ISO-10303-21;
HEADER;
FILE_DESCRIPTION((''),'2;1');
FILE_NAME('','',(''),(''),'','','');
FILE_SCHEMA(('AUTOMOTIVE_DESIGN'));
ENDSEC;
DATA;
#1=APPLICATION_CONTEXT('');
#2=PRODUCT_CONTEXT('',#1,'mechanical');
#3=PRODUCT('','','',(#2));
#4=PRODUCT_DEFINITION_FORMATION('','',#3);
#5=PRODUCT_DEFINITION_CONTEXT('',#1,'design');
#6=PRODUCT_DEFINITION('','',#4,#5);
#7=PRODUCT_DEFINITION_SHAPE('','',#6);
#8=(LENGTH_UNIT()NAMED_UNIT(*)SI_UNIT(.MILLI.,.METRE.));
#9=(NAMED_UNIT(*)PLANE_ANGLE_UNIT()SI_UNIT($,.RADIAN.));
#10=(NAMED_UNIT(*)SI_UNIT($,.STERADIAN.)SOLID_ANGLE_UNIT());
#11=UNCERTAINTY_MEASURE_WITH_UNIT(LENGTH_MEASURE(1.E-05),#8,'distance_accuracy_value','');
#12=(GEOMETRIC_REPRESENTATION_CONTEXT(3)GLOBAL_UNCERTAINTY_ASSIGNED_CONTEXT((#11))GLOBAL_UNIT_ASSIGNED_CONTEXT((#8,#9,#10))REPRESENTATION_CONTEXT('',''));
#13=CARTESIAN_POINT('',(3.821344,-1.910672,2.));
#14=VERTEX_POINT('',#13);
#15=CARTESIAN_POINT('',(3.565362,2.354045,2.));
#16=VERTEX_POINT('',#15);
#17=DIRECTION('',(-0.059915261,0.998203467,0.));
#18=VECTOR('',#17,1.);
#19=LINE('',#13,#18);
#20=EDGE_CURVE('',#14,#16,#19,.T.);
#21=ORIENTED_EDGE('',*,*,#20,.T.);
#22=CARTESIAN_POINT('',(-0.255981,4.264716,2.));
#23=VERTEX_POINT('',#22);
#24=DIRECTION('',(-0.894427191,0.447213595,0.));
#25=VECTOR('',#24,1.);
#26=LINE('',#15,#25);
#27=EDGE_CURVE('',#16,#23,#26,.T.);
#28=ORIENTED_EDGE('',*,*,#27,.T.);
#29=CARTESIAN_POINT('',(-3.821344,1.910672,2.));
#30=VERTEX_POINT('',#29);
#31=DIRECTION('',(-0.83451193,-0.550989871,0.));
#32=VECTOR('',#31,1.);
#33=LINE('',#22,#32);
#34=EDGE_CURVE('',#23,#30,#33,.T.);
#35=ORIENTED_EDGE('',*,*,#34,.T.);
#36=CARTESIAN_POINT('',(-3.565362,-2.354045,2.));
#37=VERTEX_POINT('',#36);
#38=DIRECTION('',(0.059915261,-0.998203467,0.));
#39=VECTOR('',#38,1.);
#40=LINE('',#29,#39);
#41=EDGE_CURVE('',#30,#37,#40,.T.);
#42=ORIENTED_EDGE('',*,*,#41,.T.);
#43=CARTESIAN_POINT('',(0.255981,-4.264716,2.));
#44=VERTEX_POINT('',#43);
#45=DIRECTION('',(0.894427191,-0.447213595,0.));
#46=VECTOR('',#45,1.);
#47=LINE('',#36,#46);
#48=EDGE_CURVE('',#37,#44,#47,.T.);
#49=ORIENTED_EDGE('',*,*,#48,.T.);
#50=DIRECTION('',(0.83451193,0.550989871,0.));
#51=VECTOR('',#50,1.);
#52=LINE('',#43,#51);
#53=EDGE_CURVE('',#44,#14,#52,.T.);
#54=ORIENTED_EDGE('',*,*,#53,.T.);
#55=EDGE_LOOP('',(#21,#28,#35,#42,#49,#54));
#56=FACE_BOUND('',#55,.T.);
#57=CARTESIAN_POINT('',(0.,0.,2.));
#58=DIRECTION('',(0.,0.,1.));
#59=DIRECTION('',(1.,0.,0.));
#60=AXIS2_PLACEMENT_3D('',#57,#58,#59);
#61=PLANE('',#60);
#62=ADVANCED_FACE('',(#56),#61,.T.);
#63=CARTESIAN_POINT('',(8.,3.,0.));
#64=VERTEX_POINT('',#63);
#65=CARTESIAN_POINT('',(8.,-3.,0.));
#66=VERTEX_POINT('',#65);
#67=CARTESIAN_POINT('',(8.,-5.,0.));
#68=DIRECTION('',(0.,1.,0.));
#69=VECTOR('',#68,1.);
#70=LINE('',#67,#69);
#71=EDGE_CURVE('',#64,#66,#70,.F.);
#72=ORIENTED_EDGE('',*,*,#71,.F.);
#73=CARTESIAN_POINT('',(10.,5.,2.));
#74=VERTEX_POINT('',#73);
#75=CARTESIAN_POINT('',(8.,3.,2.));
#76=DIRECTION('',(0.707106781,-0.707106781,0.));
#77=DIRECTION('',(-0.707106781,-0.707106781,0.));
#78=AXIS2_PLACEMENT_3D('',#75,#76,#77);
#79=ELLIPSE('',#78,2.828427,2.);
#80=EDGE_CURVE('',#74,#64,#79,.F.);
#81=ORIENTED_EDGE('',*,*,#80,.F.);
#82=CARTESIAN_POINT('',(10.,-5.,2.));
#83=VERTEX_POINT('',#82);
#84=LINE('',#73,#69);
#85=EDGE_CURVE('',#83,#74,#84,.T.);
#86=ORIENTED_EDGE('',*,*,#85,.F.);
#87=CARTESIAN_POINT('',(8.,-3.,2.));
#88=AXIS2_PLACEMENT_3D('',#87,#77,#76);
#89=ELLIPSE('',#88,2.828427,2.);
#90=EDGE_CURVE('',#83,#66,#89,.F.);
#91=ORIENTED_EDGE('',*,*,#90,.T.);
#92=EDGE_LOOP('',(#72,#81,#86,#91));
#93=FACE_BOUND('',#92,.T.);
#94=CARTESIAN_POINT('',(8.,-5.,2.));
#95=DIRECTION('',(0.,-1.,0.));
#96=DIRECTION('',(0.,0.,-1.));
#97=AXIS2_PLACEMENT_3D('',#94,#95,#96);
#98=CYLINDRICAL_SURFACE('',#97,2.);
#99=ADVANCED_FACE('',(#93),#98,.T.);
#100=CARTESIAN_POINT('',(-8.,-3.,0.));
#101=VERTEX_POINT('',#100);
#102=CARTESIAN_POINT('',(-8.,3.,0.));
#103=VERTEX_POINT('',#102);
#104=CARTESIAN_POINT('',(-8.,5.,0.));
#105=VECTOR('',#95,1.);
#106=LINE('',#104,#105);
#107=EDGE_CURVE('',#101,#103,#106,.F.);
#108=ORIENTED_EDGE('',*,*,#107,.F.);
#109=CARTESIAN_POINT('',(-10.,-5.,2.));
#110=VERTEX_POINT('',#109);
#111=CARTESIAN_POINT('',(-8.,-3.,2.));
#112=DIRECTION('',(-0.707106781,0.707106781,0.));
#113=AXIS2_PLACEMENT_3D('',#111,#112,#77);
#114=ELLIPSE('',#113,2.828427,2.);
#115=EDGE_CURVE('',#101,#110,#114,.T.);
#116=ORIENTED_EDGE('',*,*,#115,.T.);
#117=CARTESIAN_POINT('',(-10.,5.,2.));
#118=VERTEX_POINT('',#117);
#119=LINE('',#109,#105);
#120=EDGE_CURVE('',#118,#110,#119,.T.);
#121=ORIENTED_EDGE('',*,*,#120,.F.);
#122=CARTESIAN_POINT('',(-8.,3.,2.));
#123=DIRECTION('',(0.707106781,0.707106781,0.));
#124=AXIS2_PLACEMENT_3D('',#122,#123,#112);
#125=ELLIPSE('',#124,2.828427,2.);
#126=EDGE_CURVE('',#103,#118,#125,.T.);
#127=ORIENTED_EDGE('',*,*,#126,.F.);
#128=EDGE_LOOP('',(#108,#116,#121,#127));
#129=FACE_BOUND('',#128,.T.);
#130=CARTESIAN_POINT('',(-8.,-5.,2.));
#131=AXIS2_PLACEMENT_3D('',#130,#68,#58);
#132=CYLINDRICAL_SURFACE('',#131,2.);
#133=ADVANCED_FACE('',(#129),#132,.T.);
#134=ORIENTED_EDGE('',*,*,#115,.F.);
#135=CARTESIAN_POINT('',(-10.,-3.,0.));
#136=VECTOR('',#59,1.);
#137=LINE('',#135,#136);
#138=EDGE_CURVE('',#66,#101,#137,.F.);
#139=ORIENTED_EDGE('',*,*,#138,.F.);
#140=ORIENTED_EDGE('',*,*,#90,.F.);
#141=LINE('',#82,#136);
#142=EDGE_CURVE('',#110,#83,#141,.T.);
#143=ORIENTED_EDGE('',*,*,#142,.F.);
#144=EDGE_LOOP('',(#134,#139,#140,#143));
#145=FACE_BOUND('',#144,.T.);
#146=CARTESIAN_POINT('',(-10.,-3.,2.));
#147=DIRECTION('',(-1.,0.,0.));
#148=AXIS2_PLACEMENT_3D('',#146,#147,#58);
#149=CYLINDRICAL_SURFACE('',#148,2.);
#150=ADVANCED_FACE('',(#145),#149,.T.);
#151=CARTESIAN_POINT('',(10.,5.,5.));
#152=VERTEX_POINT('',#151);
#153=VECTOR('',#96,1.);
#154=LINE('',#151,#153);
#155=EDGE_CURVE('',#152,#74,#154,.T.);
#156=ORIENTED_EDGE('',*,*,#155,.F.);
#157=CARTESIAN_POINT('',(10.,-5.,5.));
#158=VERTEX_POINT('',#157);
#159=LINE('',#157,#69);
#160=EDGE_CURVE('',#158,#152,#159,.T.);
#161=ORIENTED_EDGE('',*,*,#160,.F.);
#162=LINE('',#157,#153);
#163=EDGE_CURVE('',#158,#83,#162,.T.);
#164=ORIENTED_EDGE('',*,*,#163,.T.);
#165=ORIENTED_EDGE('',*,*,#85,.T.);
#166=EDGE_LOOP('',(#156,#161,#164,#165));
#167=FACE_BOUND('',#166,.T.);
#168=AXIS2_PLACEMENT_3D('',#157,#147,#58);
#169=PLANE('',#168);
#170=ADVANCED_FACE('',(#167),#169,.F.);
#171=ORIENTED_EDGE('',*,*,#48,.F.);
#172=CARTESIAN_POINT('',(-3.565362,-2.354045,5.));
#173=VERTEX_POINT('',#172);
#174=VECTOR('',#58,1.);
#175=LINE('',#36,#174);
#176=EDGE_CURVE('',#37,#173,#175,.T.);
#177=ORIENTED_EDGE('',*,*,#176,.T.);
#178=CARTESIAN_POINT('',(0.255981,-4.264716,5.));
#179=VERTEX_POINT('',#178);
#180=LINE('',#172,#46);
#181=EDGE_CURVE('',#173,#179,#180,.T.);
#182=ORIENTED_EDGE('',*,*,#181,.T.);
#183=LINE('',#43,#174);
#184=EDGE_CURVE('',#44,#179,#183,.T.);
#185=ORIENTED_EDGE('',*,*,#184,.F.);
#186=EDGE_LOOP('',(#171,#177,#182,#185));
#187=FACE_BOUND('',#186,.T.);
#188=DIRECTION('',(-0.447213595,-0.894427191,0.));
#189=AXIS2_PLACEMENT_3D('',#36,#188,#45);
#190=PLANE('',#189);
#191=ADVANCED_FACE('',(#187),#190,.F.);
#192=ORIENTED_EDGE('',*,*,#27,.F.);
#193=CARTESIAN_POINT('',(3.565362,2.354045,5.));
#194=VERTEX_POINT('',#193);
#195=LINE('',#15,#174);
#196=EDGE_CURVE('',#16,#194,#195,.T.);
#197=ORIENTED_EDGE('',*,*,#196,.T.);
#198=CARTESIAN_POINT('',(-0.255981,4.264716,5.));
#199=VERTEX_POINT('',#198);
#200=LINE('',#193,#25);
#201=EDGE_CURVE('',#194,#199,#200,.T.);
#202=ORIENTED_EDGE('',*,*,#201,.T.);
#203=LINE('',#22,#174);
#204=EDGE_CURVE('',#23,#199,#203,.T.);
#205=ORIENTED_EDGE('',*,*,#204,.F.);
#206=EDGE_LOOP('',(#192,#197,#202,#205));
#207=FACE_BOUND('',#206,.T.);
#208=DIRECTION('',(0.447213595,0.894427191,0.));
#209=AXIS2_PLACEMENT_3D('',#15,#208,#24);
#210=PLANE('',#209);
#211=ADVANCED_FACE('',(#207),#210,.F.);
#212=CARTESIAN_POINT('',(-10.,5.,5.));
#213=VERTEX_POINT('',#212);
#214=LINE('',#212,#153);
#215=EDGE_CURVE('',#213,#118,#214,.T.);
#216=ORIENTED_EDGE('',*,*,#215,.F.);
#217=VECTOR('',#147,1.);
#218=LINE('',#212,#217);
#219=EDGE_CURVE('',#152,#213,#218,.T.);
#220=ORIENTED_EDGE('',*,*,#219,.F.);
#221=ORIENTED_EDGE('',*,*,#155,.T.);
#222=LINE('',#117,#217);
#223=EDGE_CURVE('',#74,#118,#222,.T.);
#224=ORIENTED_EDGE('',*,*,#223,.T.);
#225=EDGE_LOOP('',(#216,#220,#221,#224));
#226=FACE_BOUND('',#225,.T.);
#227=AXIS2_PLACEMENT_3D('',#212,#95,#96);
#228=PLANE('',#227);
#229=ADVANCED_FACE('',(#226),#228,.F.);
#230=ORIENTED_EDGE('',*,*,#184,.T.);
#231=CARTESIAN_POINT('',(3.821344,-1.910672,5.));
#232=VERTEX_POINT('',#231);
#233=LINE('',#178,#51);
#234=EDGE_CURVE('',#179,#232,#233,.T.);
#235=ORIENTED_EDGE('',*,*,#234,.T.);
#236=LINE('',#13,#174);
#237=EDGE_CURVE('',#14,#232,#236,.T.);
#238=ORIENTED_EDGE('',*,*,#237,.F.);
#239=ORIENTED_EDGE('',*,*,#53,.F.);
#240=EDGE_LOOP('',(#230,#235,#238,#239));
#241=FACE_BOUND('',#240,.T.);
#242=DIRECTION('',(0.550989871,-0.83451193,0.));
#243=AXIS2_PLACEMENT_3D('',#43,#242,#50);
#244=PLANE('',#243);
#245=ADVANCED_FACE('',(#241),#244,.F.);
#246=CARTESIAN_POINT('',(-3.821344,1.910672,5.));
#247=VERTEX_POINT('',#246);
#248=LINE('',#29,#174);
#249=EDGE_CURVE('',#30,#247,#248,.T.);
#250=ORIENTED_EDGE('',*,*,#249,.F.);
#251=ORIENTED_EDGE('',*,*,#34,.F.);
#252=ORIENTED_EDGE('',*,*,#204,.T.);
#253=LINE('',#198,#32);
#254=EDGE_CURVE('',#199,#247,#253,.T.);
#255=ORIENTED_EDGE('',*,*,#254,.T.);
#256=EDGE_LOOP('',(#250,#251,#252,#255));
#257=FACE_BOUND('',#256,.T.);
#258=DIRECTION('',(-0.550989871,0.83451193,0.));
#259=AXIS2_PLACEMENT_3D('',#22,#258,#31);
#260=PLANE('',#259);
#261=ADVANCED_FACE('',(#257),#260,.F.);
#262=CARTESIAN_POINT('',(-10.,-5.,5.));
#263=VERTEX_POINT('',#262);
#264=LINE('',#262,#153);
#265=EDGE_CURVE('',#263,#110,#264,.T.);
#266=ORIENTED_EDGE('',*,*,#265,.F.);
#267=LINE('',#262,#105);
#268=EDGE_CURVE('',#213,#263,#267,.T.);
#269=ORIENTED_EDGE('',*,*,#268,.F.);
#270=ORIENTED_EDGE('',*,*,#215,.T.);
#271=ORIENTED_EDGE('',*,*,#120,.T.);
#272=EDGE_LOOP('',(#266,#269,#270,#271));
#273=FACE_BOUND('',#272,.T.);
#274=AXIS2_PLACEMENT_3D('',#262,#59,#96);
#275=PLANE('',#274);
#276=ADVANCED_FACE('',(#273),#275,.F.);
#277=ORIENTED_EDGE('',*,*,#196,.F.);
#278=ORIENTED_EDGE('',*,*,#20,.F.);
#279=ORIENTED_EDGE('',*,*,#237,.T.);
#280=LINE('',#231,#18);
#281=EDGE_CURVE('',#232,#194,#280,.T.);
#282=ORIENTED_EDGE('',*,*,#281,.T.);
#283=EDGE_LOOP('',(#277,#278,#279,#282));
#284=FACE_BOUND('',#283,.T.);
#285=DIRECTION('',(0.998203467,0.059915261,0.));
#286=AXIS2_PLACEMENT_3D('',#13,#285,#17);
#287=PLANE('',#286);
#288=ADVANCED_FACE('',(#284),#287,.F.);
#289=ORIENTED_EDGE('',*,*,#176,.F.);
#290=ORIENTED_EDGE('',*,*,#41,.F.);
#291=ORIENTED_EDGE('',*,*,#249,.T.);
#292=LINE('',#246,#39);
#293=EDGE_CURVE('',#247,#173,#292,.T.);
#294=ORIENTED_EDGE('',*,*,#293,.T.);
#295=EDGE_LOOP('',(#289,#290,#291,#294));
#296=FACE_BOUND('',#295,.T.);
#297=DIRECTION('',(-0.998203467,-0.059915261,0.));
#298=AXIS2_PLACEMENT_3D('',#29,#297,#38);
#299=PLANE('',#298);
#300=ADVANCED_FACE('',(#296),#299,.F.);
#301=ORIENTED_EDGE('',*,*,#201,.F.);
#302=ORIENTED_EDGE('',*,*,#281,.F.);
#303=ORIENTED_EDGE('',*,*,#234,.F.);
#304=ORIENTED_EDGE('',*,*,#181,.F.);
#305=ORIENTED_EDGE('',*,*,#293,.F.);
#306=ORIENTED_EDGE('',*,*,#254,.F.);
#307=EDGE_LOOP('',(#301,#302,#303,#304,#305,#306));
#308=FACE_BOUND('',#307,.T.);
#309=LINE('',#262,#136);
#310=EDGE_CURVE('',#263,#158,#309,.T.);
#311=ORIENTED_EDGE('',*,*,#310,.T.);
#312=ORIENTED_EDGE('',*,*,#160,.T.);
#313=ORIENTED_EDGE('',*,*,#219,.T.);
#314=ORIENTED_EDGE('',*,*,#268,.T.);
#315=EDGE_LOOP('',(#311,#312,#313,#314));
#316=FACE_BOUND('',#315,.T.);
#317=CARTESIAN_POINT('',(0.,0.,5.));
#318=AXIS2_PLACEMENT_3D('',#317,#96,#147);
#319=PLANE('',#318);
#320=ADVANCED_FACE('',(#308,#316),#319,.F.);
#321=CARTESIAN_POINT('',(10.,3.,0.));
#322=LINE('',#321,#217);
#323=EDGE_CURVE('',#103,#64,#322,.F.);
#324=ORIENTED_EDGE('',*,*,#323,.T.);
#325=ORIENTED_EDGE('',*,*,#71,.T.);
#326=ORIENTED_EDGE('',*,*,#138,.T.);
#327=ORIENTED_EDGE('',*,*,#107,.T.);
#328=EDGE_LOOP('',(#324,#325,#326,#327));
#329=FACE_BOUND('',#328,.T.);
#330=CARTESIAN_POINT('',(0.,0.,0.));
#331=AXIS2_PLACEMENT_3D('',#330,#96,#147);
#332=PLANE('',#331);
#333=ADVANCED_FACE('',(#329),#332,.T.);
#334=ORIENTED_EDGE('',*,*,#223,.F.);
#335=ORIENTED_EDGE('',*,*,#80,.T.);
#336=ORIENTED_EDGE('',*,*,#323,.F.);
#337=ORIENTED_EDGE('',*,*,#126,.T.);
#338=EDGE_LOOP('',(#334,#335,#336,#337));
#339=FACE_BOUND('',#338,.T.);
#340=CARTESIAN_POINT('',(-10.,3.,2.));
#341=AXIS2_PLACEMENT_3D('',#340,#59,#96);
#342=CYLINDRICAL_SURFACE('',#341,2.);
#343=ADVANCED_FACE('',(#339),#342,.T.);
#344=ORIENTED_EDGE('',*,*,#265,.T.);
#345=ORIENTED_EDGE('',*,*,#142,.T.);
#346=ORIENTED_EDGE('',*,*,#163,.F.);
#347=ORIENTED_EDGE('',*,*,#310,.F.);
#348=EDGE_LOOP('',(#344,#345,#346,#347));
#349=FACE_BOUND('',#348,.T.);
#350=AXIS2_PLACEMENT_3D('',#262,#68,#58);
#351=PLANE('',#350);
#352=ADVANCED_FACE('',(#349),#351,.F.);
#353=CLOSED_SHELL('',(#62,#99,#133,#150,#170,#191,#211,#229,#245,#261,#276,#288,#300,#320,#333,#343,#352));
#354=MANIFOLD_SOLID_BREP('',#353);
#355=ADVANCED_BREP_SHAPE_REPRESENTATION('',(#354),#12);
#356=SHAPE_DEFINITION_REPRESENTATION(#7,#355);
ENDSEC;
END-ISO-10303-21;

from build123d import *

# Parameters (mm, degrees)
SKETCH1_W           = 20
SKETCH1_H           = 10
BOSS_EXTRUDE1_DEPTH = 5
CUT_EXTRUDE1_DEPTH  = 3
FILLET1_R           = 2


with BuildPart() as part:
    # Sketch1 → Boss-Extrude1 (new body)
    with BuildSketch(Plane.XY):
        Rectangle(SKETCH1_W, SKETCH1_H)
    extrude(amount=BOSS_EXTRUDE1_DEPTH)

    # Sketch2 → Cut-Extrude1 (cut)
    with BuildSketch(Plane.XY.offset(5)):
        Polygon((0.255981481, -4.264716499), (3.821343568, -1.910671784), (3.565362087, 2.354044715), (-0.255981481, 4.264716499), (-3.821343568, 1.910671784), (-3.565362087, -2.354044715), align=None)
    extrude(amount=-CUT_EXTRUDE1_DEPTH, mode=Mode.SUBTRACT)

    # Fillet1
    fillet1_edges = [part.edges().sort_by_distance(p)[0] for p in [
        (0, -5, 0),
        (-10, 0, 0),
        (0, 5, 0),
        (10, 0, 0),
    ]]
    fillet(fillet1_edges, radius=FILLET1_R)


solid = part.part
